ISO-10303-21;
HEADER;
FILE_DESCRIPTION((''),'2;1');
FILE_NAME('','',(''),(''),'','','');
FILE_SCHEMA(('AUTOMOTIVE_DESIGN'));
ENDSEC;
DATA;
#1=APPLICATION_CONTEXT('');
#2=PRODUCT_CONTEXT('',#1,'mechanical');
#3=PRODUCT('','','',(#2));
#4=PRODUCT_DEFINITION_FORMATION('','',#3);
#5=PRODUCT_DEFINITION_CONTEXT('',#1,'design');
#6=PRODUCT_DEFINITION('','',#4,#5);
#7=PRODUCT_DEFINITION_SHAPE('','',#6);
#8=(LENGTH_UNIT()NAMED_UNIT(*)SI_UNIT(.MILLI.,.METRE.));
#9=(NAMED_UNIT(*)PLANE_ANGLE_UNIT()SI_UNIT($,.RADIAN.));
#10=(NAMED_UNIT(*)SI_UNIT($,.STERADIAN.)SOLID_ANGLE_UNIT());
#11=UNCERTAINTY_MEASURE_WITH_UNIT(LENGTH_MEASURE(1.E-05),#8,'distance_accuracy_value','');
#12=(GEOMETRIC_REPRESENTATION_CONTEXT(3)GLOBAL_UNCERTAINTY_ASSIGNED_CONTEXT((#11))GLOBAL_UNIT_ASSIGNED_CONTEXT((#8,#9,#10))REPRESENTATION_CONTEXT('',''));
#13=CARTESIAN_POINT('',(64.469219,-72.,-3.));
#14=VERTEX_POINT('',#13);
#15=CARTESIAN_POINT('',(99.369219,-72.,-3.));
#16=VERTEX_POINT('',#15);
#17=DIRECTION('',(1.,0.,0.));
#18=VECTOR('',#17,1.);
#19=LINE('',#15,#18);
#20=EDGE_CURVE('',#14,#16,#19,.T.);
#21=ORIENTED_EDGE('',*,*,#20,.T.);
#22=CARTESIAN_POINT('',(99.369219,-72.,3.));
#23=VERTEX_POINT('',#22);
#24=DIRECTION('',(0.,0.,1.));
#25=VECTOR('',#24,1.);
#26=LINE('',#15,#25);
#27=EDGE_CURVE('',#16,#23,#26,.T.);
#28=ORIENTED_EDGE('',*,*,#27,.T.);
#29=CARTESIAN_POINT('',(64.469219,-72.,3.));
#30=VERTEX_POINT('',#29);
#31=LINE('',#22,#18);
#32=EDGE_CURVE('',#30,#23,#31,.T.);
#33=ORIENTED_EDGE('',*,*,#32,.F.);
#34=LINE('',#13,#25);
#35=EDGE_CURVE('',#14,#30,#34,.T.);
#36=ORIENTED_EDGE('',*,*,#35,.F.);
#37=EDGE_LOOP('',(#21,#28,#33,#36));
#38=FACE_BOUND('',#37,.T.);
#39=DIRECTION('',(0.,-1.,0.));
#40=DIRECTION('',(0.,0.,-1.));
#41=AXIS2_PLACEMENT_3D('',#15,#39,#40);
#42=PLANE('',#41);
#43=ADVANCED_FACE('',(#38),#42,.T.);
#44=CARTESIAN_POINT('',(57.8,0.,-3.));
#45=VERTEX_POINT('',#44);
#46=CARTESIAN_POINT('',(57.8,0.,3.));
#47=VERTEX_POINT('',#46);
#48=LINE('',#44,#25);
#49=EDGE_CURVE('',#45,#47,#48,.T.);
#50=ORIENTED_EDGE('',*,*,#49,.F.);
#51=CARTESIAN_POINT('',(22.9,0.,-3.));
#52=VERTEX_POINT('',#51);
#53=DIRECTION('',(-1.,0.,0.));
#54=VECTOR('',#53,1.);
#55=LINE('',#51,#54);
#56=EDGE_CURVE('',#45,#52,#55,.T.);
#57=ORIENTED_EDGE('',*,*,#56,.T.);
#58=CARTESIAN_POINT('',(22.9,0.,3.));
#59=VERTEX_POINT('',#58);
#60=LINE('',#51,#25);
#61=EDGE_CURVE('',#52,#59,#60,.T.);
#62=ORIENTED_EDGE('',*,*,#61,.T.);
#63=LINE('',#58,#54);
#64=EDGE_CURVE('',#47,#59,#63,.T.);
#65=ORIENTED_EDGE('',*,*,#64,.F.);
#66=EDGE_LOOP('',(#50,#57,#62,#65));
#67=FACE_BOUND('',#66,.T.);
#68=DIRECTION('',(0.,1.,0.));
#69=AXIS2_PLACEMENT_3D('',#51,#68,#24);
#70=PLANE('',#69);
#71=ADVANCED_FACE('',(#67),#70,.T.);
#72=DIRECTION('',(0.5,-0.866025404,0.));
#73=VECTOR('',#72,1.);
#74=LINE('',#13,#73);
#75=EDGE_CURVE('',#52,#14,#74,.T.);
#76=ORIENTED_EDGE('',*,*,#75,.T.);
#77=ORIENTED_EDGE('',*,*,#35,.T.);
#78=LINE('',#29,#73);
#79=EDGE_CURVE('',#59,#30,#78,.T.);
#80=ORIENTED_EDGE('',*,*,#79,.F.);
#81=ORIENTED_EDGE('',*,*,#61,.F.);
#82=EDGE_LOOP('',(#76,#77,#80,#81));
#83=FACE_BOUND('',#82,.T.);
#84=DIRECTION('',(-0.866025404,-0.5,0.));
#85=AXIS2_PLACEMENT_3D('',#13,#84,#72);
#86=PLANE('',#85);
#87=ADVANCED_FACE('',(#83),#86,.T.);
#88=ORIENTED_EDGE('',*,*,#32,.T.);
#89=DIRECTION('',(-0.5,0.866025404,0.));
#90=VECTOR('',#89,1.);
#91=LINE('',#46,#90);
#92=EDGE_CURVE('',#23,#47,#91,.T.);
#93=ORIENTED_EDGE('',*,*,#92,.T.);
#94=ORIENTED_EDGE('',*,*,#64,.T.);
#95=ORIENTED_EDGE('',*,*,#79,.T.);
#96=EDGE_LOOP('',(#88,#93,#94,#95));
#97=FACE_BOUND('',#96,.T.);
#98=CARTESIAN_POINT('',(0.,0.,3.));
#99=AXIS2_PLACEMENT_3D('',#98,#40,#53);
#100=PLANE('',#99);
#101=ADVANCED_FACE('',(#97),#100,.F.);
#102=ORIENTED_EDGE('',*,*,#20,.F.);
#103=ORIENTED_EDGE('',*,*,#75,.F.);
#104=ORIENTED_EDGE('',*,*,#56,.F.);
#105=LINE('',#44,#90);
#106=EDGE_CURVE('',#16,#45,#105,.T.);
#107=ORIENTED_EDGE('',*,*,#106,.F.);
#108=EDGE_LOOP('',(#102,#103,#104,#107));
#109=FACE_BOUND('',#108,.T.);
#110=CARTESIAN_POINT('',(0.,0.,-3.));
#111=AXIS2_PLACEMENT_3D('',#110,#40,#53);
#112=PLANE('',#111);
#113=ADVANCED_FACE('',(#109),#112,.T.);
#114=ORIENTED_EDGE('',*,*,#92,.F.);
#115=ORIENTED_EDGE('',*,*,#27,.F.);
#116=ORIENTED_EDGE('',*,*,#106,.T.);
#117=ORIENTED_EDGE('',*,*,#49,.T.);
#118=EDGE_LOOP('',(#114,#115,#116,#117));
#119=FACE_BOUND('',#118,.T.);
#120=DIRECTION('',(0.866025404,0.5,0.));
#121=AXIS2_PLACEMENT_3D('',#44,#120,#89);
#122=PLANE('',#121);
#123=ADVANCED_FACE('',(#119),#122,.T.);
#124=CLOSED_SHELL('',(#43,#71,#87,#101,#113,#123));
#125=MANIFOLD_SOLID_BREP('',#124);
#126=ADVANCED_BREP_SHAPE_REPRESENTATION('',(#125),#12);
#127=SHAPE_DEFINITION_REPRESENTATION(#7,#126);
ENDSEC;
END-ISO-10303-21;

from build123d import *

# Parameters (mm, degrees)
BOSS_EXTRUDE1_DEPTH      = 3
BOSS_EXTRUDE1_DEPTH_BACK = 3


with BuildPart() as part:
    # Sketch1 → Boss-Extrude1 (new, two sides: drawn at the far end of the back side and taken through both)
    with BuildSketch(Plane.XY.offset(-BOSS_EXTRUDE1_DEPTH_BACK)):
        Polygon((22.9, 0), (57.8, 0), (99.369219382, -72), (64.469219382, -72), align=None)
    extrude(amount=BOSS_EXTRUDE1_DEPTH + BOSS_EXTRUDE1_DEPTH_BACK)


solid = part.part
